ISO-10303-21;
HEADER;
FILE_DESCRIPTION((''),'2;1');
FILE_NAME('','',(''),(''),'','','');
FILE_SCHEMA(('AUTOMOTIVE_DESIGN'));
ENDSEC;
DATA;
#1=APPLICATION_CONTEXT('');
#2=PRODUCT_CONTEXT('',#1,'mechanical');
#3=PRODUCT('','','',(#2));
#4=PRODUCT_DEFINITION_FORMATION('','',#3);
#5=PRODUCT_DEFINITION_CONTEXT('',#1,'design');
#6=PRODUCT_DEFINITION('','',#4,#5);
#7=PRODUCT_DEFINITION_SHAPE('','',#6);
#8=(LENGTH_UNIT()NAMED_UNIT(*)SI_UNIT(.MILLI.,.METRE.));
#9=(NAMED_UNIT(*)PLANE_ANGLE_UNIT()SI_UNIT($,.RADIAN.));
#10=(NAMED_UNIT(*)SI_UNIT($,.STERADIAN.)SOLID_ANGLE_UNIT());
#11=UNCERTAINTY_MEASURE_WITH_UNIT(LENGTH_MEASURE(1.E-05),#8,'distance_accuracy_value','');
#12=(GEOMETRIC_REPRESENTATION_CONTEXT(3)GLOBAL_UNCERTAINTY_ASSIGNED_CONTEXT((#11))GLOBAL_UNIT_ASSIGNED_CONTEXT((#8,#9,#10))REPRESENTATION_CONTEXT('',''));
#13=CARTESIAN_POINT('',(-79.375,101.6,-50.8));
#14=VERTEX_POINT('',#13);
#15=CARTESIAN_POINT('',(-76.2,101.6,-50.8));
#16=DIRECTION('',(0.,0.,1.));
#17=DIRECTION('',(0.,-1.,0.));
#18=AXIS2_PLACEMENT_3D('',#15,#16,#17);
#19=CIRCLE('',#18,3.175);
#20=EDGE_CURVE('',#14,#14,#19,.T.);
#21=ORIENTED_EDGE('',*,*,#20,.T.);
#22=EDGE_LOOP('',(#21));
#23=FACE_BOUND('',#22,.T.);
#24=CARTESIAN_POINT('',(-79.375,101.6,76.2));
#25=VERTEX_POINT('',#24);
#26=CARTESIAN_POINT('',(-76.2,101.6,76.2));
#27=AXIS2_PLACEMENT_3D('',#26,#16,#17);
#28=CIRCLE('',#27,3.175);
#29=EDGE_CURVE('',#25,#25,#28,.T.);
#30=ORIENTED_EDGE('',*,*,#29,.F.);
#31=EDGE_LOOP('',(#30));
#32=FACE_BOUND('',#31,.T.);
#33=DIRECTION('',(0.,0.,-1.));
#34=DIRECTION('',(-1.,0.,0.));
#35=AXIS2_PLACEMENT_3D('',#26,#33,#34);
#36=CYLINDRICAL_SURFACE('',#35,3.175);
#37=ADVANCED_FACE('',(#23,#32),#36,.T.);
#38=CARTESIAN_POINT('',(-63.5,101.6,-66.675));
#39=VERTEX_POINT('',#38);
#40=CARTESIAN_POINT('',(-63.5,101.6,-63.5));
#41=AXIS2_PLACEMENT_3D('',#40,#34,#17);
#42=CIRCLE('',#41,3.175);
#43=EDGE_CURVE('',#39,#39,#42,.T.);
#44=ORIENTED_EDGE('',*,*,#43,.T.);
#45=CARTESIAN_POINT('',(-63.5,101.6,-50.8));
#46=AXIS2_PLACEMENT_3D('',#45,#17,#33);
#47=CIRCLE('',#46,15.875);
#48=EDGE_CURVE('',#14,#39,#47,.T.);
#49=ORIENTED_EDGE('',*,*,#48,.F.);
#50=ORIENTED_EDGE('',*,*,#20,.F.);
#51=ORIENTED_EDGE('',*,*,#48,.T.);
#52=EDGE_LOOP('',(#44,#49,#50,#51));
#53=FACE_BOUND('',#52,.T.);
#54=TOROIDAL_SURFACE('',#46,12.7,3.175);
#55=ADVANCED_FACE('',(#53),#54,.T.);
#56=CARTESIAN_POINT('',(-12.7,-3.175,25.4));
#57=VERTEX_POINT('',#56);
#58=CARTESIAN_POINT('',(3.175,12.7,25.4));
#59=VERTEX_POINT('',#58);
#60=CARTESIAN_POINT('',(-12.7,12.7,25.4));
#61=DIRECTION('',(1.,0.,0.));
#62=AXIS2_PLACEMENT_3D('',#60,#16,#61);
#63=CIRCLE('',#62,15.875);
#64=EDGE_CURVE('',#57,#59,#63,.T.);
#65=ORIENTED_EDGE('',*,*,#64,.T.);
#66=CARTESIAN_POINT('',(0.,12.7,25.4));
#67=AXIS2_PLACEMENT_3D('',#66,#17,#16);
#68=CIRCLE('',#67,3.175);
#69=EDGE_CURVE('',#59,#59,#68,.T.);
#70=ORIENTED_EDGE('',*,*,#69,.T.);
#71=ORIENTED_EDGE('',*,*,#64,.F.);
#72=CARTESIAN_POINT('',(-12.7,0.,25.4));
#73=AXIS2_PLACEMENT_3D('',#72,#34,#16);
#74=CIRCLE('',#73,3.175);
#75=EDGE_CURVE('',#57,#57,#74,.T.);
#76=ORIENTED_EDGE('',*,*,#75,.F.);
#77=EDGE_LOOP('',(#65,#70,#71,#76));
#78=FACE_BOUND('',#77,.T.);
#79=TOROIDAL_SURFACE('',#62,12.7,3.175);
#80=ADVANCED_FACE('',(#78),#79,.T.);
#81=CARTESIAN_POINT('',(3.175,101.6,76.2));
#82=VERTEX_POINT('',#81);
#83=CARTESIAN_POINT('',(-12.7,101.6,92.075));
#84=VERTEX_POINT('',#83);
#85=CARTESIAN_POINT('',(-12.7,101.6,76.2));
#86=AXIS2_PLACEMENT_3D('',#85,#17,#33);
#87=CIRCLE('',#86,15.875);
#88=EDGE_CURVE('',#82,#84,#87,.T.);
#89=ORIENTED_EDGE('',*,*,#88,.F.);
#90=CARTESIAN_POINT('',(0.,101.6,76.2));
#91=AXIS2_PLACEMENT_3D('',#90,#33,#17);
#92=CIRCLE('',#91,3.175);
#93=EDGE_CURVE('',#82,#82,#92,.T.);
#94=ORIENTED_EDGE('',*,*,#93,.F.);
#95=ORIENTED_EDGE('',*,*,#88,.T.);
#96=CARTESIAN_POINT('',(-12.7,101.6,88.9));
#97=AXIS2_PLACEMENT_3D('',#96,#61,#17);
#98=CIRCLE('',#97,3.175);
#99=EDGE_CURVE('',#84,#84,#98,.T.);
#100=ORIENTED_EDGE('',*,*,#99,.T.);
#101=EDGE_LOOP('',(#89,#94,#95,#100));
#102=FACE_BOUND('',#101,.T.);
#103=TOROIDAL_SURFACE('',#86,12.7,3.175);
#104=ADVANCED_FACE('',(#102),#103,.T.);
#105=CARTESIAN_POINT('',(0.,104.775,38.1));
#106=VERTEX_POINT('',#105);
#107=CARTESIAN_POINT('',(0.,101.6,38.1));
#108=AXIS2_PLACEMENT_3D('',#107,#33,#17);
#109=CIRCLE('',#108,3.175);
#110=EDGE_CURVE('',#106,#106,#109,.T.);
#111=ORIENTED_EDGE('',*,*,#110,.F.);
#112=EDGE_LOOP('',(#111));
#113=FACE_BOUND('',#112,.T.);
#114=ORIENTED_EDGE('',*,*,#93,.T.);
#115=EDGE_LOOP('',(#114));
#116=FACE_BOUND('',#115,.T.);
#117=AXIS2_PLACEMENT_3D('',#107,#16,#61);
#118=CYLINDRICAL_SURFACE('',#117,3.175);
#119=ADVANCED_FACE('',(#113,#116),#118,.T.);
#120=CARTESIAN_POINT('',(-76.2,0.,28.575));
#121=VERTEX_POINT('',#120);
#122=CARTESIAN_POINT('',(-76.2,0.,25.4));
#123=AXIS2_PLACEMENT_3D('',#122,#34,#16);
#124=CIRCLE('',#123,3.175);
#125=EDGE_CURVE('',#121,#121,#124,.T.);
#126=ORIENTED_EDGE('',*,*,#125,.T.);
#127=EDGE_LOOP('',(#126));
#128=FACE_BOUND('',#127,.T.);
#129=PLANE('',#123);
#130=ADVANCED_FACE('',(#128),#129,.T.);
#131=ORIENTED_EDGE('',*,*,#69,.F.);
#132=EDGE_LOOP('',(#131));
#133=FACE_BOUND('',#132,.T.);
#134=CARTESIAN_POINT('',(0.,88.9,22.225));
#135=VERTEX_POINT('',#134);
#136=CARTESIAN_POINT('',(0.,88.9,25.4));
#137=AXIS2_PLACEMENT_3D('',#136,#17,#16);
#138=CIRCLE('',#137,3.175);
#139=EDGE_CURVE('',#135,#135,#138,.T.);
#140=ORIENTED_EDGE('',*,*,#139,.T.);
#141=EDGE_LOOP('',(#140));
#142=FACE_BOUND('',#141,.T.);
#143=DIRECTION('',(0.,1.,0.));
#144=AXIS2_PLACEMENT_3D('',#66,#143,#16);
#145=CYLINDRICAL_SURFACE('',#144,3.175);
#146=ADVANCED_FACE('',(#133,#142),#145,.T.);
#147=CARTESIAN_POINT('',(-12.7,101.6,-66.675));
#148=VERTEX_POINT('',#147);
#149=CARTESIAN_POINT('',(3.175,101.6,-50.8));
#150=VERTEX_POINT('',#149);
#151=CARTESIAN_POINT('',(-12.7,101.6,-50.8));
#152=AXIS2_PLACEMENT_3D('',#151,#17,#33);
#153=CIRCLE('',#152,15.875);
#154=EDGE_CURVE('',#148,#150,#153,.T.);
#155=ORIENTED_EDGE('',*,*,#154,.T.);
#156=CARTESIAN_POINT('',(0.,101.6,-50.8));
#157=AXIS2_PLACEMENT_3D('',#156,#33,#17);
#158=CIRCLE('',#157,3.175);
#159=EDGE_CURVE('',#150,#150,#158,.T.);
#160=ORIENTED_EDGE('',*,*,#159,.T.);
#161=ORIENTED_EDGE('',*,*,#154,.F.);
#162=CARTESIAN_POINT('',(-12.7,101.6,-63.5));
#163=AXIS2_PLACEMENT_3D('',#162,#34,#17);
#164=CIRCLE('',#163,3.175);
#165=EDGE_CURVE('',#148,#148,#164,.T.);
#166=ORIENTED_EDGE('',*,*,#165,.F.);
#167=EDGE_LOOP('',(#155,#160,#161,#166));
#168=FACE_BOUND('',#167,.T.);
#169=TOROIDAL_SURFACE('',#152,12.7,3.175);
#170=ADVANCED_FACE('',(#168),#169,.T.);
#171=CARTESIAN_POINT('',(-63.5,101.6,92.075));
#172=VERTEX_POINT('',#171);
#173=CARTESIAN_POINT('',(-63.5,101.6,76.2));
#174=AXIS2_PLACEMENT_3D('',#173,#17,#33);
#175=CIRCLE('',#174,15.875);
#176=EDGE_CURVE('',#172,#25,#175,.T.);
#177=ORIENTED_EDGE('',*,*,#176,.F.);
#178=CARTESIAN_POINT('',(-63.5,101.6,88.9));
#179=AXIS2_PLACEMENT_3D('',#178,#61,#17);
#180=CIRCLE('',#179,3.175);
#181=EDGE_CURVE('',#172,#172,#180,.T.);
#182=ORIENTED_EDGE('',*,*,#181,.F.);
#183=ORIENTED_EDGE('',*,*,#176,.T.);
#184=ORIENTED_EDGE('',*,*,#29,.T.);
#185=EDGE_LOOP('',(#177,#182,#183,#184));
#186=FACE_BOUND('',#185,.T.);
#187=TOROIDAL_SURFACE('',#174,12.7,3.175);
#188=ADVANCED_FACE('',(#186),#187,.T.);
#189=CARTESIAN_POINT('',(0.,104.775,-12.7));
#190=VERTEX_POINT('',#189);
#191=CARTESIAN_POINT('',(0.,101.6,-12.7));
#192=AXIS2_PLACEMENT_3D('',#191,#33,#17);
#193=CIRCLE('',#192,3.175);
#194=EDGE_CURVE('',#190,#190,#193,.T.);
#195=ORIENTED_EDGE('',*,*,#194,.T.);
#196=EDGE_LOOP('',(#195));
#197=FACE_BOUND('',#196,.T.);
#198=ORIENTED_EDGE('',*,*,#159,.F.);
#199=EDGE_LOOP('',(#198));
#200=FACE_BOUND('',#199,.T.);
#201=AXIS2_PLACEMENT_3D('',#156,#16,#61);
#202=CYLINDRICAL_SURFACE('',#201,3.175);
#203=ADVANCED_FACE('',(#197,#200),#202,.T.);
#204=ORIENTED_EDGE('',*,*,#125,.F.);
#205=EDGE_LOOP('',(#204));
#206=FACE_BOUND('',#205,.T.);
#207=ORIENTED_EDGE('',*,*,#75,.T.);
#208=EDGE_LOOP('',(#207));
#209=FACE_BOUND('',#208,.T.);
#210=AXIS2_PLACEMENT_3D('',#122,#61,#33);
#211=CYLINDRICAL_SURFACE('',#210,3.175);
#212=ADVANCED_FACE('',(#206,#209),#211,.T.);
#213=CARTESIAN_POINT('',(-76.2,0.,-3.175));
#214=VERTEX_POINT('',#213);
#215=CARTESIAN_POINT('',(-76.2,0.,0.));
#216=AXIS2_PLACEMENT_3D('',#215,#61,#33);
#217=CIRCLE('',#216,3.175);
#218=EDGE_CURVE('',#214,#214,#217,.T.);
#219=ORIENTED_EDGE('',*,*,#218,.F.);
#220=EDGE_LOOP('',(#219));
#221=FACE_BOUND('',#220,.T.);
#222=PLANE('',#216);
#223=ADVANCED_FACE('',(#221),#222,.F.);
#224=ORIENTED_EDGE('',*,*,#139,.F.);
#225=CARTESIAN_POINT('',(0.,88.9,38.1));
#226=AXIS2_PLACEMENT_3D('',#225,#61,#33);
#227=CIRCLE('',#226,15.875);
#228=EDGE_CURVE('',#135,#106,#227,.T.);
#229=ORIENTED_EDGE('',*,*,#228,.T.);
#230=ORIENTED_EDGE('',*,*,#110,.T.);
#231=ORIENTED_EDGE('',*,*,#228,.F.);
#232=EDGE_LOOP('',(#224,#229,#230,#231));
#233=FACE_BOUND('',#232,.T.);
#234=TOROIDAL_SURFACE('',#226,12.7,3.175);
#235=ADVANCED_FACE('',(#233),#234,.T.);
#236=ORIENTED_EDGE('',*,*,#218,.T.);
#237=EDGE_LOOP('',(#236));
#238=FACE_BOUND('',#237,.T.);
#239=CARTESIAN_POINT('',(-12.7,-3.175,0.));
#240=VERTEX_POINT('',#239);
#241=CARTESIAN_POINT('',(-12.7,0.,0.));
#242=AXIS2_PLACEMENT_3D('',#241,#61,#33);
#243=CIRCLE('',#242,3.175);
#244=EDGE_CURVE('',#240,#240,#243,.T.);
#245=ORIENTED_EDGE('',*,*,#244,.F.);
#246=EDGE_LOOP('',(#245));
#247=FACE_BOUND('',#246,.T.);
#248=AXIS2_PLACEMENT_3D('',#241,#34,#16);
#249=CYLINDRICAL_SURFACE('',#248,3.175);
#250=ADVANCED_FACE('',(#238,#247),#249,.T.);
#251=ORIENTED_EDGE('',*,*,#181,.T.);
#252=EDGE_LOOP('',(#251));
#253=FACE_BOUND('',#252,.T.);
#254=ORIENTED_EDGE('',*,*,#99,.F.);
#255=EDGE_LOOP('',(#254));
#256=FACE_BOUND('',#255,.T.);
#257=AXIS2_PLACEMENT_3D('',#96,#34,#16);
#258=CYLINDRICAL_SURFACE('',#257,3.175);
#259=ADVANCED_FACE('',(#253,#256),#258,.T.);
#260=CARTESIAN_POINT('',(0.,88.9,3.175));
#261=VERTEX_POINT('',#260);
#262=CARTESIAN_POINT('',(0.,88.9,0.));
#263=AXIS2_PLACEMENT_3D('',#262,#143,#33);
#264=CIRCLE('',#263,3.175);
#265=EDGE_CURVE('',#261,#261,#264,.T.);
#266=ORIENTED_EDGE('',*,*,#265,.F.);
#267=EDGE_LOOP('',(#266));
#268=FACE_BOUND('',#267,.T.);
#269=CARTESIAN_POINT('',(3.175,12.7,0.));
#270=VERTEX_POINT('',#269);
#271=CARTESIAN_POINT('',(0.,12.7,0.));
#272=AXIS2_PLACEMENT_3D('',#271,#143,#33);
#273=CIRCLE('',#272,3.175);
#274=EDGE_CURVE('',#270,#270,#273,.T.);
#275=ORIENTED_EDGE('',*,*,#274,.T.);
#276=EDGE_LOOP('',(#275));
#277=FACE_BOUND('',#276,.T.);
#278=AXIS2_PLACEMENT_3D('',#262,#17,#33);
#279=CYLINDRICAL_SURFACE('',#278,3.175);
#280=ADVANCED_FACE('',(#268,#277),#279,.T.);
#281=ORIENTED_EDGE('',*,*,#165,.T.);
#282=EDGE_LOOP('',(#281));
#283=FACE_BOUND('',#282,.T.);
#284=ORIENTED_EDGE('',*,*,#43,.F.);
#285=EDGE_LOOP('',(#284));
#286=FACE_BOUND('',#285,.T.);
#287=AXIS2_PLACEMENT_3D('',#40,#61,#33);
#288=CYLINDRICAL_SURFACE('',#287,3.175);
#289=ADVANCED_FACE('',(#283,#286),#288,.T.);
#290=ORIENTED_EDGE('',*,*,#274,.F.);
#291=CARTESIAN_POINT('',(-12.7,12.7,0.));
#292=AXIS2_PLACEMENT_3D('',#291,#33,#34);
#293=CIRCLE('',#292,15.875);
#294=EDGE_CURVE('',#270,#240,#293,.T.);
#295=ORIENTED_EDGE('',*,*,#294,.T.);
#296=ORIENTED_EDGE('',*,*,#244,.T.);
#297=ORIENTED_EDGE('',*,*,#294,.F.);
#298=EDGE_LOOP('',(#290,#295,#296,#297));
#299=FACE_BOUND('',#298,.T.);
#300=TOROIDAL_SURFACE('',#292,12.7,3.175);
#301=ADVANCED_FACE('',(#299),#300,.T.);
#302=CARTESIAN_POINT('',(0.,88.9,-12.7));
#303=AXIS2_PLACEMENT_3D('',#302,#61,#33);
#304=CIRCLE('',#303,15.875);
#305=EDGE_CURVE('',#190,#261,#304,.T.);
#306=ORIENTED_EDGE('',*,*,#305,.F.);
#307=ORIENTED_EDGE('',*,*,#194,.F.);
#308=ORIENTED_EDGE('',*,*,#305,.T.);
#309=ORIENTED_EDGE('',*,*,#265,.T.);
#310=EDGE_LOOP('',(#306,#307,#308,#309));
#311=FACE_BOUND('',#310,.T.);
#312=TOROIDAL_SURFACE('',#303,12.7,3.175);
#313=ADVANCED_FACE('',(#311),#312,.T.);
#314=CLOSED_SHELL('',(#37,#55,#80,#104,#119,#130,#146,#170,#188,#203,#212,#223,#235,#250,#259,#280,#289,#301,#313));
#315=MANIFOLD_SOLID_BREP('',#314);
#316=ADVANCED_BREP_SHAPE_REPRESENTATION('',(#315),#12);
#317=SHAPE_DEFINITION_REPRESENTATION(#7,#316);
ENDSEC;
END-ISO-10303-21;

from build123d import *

# Parameters (mm, degrees)
SWEEP1_PROFILE_R = 3.175


with BuildPart() as part:
    # Sweep1: sweep along a curve in space
    with BuildLine() as sweep1_path:
        Line((-12.7, 0, 25.4), (-76.2, 0, 25.4))
        ThreePointArc((-12.7, 0, 25.4), (-3.719743879, 3.719743879, 25.4), (0, 12.7, 25.4))
        Line((0, 12.7, 25.4), (0, 88.9, 25.4))
        ThreePointArc((0, 88.9, 25.4), (0, 97.880256121, 29.119743879), (0, 101.6, 38.1))
        Line((0, 101.6, 38.1), (0, 101.6, 76.2))
        ThreePointArc((0, 101.6, 76.2), (-3.719743879, 101.6, 85.180256121), (-12.7, 101.6, 88.9))
        Line((-12.7, 101.6, 88.9), (-63.5, 101.6, 88.9))
        ThreePointArc((-63.5, 101.6, 88.9), (-72.480256121, 101.6, 85.180256121), (-76.2, 101.6, 76.2))
        Line((-76.2, 101.6, 76.2), (-76.2, 101.6, -50.8))
        ThreePointArc((-76.2, 101.6, -50.8), (-72.480256121, 101.6, -59.780256121), (-63.5, 101.6, -63.5))
        Line((-63.5, 101.6, -63.5), (-12.7, 101.6, -63.5))
        ThreePointArc((0, 101.6, -50.8), (-3.719743879, 101.6, -59.780256121), (-12.7, 101.6, -63.5))
        Line((0, 101.6, -12.7), (0, 101.6, -50.8))
        ThreePointArc((0, 88.9, 0), (0, 97.880256121, -3.719743879), (0, 101.6, -12.7))
        Line((0, 12.7, 0), (0, 88.9, 0))
        ThreePointArc((-12.7, 0, 0), (-3.719743879, 3.719743879, 0), (0, 12.7, 0))
        Line((-12.7, 0, 0), (-76.2, 0, 0))
    # Sweep1 profile (on start of the path) → Sweep1 (sweep)
    with BuildSketch(Plane(origin=(-76.2, 0, 0), x_dir=(0, 0, 1), z_dir=(1, 0, 0))):
        Circle(SWEEP1_PROFILE_R)
    sweep(path=sweep1_path.line)


solid = part.part
